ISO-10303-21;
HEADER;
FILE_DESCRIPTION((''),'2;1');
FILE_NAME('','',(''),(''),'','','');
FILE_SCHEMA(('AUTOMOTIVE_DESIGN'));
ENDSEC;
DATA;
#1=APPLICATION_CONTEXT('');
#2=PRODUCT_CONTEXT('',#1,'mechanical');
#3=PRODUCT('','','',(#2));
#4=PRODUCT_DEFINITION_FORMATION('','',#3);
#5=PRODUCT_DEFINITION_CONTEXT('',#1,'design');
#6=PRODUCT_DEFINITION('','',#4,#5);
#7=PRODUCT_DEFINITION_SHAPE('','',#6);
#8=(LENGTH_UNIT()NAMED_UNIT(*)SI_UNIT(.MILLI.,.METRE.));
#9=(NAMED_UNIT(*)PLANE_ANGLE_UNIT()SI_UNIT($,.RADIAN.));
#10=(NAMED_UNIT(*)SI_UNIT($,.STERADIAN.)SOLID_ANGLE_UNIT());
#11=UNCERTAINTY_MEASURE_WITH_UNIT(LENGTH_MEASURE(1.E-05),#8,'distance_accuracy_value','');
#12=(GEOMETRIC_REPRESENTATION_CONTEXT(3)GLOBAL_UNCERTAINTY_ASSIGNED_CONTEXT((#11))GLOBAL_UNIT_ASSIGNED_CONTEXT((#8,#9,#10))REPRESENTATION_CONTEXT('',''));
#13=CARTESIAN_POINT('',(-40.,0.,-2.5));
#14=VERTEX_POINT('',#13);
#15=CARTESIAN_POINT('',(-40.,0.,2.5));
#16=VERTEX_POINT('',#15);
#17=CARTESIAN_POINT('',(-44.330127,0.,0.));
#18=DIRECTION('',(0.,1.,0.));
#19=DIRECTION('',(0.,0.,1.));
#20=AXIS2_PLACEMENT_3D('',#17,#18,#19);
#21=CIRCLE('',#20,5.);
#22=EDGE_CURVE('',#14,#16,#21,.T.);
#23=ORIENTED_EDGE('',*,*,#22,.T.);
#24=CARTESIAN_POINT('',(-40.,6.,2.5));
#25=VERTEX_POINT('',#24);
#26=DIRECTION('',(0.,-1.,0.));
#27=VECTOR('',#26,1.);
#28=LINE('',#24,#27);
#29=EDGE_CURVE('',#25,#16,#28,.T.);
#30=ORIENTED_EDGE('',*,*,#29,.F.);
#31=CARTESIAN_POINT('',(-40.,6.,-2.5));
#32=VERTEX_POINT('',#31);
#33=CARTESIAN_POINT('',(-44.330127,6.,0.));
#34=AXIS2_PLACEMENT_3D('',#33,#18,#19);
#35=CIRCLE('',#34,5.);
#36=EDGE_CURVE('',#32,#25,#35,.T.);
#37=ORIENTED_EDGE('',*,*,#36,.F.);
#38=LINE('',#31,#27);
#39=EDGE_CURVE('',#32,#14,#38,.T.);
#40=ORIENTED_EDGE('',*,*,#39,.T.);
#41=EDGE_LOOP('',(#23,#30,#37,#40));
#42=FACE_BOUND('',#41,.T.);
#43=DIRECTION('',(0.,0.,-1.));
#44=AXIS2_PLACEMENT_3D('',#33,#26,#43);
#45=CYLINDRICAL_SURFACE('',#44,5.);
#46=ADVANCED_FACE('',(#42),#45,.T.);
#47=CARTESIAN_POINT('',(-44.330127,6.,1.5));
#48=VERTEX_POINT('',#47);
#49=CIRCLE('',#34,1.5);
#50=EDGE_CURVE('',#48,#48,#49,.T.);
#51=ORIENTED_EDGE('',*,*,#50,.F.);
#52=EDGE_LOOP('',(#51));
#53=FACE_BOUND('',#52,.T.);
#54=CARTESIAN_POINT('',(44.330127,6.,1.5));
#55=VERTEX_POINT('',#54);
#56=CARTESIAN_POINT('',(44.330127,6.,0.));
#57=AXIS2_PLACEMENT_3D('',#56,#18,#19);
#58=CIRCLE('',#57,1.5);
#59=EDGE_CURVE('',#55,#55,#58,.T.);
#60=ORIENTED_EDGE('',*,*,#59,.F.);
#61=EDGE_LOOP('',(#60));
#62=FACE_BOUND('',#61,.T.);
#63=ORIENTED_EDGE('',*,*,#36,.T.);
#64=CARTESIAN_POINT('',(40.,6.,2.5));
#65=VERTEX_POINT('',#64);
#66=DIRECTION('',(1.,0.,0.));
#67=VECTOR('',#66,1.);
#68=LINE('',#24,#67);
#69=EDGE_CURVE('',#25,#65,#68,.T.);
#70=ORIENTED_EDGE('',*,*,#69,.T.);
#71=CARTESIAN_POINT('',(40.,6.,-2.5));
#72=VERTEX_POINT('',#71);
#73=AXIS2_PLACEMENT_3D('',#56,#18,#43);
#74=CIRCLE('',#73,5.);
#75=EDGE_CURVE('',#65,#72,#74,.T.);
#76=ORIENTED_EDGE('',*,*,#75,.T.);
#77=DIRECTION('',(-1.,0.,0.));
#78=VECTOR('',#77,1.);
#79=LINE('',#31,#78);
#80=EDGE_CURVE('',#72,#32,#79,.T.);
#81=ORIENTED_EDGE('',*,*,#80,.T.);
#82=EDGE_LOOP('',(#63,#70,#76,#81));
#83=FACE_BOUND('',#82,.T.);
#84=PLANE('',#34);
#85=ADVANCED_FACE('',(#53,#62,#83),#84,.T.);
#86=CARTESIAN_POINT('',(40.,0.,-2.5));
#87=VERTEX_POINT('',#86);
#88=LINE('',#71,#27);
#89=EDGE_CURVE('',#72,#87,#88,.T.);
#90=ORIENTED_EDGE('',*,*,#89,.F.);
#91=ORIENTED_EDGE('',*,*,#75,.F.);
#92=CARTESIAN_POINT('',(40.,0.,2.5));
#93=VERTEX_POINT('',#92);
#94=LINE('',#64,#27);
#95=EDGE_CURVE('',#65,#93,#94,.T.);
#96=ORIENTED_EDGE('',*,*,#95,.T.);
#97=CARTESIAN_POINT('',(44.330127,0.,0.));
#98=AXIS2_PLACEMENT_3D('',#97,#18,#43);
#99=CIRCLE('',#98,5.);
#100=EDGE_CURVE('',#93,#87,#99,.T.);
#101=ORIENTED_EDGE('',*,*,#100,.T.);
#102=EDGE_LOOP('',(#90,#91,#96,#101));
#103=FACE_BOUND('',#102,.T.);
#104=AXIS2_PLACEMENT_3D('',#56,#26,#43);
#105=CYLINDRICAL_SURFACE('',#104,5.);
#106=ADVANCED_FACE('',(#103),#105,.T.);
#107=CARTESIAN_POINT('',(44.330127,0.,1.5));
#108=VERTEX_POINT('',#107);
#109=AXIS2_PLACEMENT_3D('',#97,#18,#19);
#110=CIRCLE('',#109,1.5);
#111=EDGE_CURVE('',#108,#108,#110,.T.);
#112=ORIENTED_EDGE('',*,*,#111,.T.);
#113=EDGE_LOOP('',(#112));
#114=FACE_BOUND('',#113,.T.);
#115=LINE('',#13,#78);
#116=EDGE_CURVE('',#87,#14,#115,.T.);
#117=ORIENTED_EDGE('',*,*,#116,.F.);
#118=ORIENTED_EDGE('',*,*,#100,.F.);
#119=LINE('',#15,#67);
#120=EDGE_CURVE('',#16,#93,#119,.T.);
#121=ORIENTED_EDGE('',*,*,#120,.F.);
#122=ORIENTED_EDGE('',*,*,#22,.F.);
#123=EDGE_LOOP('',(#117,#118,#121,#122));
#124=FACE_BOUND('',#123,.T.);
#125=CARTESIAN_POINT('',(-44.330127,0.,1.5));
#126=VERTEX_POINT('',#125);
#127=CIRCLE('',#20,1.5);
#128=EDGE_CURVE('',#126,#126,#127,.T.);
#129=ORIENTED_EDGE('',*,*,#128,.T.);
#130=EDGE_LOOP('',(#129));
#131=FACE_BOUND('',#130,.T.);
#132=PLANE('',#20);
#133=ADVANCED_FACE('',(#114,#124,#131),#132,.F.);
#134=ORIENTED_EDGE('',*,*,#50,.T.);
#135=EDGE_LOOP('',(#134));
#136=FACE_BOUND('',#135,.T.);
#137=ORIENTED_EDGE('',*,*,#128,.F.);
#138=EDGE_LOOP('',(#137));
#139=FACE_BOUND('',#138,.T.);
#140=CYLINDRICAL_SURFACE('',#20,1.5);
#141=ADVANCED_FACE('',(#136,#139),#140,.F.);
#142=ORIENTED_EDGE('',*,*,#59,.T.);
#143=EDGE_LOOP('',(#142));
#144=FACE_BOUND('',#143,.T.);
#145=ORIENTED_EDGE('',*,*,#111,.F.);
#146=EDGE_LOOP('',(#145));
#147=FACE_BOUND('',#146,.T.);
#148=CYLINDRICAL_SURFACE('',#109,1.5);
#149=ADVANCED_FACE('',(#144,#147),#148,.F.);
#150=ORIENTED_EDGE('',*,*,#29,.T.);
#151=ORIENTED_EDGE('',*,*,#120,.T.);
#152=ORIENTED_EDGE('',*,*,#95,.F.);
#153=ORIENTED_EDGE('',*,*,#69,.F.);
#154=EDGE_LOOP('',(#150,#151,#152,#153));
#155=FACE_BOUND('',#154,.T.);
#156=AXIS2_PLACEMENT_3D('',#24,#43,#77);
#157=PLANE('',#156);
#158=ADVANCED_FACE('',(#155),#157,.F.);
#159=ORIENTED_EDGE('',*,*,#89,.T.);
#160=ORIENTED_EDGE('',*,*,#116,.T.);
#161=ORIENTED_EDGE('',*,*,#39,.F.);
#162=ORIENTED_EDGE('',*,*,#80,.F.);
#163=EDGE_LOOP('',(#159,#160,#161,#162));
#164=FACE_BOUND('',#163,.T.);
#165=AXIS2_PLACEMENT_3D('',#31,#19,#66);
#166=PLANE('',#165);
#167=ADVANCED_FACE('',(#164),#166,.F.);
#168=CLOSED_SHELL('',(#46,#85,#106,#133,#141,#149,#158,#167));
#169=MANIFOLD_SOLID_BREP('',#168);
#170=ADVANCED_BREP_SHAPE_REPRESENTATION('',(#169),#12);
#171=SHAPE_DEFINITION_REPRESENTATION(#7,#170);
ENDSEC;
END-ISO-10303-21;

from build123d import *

# Parameters (mm, degrees)
BOSS_EXTRUDE1_DEPTH = 6
SKETCH2_R           = 1.5
CUT_EXTRUDE1_DEPTH  = 50.944583607


with BuildPart() as part:
    # Sketch1 → Boss-Extrude1 (new body)
    with BuildSketch(Plane(origin=(0, 0, 0), x_dir=(1, 0, 0), z_dir=(0, 1, 0))):
        with BuildLine():
            Line((-40, 2.5), (40, 2.5))
            ThreePointArc((40, 2.5), (49.330127019, 0), (40, -2.5))
            Line((40, -2.5), (-40, -2.5))
            ThreePointArc((-40, -2.5), (-49.330127019, 0), (-40, 2.5))
        make_face()
    extrude(amount=BOSS_EXTRUDE1_DEPTH)

    # Sketch2 → Cut-Extrude1 (cut, through all)
    with BuildSketch(Plane(origin=(0, 6, 0), x_dir=(1, 0, 0), z_dir=(0, 1, 0))):
        with Locations(Location((-44.330127019, 0, 0), (0, 0, 270))):
            Circle(SKETCH2_R)
        with Locations(Location((44.330127019, 0, 0), (0, 0, 270))):
            Circle(SKETCH2_R)
    extrude(amount=-CUT_EXTRUDE1_DEPTH, mode=Mode.SUBTRACT)


solid = part.part
